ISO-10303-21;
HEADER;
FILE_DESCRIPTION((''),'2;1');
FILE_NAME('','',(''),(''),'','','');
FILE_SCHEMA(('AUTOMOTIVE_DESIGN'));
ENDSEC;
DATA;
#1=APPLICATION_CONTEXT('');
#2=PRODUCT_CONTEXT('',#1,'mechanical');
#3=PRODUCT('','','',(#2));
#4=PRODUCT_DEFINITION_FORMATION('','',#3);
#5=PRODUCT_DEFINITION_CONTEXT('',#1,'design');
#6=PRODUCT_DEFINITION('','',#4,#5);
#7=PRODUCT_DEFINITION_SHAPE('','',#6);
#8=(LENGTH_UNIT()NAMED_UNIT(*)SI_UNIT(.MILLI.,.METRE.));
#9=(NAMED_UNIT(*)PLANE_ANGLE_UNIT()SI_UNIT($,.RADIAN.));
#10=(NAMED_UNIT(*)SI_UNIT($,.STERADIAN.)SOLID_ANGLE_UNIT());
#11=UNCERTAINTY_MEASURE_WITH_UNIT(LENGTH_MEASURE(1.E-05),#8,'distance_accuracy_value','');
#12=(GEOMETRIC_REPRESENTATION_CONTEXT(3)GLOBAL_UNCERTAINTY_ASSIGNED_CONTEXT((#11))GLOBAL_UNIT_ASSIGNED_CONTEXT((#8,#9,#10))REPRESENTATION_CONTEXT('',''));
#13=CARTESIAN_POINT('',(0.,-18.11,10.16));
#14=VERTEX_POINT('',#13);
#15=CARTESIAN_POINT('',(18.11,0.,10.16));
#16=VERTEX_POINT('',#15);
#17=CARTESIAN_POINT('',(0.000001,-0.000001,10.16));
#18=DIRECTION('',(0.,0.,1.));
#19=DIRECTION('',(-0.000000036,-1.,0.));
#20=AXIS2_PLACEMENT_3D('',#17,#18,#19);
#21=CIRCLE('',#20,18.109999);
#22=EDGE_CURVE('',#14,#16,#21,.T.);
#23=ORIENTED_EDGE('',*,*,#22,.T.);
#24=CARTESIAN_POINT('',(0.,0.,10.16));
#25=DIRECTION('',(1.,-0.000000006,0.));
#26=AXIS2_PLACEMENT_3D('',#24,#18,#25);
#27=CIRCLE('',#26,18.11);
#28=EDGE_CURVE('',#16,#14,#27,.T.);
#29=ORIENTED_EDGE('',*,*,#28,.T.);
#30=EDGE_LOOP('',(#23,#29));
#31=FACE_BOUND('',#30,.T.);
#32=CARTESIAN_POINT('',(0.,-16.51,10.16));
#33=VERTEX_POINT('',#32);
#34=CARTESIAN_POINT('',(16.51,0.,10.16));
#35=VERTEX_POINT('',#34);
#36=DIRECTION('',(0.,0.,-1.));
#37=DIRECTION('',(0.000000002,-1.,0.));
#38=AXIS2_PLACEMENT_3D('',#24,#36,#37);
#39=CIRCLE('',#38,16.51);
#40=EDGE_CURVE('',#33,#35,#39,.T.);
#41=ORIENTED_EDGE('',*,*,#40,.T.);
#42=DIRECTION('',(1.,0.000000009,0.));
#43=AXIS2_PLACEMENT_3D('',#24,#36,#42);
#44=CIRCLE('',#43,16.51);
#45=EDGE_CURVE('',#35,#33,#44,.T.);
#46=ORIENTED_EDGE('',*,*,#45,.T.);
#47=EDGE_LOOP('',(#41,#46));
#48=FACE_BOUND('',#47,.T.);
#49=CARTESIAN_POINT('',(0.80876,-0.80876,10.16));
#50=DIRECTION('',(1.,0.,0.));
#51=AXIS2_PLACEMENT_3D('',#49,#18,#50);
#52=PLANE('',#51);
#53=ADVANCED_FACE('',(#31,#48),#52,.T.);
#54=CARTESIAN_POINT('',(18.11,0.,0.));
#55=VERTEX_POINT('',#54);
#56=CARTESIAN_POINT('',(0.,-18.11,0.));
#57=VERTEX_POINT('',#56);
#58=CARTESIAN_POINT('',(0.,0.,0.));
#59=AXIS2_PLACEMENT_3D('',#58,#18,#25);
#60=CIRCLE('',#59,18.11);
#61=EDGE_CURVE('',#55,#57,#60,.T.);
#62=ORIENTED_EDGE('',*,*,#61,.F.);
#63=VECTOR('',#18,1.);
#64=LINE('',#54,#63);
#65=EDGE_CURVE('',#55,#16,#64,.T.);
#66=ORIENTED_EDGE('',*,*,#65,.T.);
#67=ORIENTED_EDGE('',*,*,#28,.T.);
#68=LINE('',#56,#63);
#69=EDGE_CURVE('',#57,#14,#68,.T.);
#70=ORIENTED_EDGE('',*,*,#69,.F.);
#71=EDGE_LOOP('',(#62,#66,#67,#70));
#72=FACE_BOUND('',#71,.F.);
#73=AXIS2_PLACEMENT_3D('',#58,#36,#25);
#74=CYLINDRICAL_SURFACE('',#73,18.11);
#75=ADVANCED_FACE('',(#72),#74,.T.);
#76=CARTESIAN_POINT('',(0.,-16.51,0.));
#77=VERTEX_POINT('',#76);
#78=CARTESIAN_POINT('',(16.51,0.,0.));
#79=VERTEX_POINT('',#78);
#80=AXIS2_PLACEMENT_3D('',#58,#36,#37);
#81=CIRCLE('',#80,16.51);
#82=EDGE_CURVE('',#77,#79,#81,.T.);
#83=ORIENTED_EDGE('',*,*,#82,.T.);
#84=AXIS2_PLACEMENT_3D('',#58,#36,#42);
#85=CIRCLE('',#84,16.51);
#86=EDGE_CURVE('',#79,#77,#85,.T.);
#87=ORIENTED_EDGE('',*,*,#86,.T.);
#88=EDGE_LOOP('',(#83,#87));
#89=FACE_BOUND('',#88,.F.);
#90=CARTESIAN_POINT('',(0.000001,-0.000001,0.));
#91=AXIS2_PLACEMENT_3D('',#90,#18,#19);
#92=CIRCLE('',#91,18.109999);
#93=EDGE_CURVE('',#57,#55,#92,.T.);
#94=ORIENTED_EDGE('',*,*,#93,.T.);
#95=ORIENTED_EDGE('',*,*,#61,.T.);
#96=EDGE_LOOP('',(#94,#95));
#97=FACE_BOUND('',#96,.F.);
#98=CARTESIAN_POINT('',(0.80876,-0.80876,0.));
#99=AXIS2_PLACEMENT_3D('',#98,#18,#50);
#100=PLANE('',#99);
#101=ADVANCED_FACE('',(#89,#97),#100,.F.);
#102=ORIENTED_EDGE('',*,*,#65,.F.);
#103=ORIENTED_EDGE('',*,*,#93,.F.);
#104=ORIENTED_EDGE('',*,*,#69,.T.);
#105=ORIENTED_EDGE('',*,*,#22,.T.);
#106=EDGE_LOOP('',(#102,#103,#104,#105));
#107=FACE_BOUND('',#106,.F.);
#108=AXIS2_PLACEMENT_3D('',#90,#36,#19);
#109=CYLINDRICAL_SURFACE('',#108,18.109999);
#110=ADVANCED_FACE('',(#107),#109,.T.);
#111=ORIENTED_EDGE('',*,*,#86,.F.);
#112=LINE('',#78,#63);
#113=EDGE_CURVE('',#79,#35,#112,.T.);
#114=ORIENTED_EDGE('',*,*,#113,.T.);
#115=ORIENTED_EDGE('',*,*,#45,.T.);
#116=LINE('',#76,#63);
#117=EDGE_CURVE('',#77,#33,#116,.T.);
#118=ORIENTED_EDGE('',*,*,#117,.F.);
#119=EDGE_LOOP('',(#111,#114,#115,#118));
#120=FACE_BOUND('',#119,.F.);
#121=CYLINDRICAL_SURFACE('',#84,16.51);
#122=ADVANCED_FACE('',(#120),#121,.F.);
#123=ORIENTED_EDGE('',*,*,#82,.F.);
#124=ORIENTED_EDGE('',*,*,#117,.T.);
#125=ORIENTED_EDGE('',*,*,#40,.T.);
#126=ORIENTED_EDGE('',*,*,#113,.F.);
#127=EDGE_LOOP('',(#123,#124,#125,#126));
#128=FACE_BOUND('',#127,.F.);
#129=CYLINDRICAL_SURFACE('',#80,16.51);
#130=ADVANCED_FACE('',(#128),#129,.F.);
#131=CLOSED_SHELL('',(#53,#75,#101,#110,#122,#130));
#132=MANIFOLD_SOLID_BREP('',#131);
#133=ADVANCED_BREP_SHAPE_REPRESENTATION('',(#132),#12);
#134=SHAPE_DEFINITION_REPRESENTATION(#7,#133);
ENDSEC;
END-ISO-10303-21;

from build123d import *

# Parameters (mm, degrees)
F1_DEPTH = 10.16


with BuildPart() as f1:
    # F0 (on Top) → F1 (new body)
    with BuildSketch(Plane.XY):
        with BuildLine():
            ThreePointArc((18.11, 0), (-12.805704, 12.805704), (0, -18.11))
            ThreePointArc((0, -18.11), (12.805704, -12.805704), (18.11, 0))
        make_face()
        with BuildLine():
            ThreePointArc((0, -16.51), (-11.674333, 11.674333), (16.51, 0))
            ThreePointArc((16.51, 0), (11.674333, -11.674333), (0, -16.51))
        make_face(mode=Mode.SUBTRACT)
    extrude(amount=F1_DEPTH)


solid = f1.part
